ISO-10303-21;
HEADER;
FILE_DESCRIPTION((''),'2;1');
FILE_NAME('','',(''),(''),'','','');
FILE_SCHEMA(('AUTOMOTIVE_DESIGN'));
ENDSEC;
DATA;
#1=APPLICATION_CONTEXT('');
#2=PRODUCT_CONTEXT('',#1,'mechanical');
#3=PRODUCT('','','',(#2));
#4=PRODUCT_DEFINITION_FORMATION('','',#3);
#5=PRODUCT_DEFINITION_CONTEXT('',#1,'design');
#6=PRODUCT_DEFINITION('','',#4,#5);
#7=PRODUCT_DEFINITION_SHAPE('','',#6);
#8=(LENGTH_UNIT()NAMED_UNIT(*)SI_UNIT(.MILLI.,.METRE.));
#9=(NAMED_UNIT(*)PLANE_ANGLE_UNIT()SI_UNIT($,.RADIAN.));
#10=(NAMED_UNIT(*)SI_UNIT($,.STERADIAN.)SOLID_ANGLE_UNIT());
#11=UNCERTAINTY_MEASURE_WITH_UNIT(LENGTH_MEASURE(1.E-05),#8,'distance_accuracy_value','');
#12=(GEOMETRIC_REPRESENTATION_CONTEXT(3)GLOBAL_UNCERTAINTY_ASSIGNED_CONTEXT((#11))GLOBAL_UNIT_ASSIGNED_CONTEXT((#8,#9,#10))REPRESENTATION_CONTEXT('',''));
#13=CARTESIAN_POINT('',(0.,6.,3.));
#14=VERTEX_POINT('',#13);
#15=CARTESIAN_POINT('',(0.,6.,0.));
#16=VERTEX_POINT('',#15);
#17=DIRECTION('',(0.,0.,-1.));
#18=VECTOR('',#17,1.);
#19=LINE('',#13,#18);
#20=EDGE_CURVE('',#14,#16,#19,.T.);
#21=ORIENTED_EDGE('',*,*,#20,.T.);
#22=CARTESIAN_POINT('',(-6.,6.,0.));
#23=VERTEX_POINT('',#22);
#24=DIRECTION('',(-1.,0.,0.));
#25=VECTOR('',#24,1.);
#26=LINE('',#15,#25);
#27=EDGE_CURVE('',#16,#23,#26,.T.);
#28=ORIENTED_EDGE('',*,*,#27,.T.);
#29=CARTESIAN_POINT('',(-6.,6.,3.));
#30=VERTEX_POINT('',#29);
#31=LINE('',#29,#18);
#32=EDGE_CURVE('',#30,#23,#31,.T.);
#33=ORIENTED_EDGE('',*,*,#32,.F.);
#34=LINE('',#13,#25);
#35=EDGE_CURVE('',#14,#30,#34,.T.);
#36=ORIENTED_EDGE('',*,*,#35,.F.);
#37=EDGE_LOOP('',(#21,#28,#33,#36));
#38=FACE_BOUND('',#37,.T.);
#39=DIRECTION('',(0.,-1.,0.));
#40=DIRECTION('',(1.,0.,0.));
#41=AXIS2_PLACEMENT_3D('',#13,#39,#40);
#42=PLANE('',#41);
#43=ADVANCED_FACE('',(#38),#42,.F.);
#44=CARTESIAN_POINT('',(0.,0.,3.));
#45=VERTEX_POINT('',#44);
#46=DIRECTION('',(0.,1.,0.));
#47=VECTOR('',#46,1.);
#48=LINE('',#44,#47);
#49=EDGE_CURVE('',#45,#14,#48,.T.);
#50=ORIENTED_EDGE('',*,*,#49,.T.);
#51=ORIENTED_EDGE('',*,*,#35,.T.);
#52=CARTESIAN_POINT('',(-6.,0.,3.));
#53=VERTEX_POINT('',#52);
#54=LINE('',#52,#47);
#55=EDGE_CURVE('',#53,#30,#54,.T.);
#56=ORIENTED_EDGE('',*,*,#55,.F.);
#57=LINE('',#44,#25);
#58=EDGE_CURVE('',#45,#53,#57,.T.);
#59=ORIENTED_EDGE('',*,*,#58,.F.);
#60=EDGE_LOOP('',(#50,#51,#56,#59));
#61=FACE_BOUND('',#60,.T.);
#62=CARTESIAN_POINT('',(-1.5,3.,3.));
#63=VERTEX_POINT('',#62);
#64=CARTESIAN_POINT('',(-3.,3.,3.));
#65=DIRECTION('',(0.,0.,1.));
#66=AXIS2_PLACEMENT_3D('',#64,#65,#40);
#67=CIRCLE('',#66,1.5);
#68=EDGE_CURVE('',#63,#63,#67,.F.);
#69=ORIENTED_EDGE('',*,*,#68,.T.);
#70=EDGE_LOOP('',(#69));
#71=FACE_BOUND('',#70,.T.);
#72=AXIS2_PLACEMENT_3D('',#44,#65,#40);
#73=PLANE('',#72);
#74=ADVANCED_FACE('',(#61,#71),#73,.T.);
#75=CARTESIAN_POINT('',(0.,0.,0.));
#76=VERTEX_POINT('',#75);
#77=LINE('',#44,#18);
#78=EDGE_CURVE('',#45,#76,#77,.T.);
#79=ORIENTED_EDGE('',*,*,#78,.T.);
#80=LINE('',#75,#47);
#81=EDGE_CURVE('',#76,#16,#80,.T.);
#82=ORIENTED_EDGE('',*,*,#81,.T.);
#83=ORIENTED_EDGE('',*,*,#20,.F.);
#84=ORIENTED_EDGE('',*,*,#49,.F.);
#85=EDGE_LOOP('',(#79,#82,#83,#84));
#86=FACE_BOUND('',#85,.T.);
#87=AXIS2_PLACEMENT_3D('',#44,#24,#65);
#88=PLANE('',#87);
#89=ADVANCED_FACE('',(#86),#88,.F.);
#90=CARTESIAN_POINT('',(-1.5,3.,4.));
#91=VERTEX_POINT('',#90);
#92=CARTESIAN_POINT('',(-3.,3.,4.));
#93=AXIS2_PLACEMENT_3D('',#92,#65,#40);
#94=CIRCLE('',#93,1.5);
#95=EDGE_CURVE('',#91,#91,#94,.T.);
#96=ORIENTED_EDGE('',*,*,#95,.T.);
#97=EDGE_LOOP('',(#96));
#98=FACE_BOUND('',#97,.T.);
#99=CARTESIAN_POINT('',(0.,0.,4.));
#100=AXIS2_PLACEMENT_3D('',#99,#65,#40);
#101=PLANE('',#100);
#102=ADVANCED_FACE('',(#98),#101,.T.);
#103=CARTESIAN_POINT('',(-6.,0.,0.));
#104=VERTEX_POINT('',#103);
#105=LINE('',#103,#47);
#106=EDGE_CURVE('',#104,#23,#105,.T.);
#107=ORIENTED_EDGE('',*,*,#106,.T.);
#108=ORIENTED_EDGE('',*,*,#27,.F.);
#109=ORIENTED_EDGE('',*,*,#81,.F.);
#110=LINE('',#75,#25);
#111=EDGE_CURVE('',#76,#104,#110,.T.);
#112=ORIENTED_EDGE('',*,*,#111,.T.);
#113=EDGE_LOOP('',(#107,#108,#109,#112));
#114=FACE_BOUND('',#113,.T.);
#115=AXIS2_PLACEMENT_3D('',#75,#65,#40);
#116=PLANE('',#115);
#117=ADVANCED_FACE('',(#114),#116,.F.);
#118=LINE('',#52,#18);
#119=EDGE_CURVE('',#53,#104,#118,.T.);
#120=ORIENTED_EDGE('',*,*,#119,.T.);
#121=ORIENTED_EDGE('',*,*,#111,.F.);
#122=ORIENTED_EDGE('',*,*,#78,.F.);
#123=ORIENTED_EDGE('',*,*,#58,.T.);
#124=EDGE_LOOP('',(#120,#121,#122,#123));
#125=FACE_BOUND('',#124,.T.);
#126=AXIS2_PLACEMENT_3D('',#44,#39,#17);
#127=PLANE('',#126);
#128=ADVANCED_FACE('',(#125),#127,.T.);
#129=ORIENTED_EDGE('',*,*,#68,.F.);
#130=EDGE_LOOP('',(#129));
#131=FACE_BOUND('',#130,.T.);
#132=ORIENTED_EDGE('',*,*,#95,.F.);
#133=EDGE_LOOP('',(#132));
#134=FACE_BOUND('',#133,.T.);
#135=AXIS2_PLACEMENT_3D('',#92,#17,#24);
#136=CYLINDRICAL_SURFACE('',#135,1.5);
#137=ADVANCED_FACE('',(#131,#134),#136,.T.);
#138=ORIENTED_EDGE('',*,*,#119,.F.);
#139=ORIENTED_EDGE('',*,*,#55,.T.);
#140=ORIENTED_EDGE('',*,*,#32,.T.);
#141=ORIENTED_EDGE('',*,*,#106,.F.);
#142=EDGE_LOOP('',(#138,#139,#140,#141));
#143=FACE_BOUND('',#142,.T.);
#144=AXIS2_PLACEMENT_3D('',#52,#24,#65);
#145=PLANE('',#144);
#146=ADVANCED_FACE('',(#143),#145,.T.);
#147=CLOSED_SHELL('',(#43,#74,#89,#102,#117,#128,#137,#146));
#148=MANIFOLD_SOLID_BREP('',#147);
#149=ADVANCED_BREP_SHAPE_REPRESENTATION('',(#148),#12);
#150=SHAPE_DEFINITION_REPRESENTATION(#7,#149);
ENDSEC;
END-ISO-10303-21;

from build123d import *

# Parameters (mm, degrees)
SKETCH_1_W      = 6
SKETCH_1_H      = 6
EXTRUDE_1_DEPTH = 3
SKETCH_1_3_R    = 1.5
EXTRUDE_2_DEPTH = 4


with BuildPart() as part:
    # Эскиз1 → Бобышка-Вытянуть1 (new body)
    with BuildSketch(Plane.XY):
        with Locations((-3, 3)):
            Rectangle(SKETCH_1_W, SKETCH_1_H)
    extrude(amount=EXTRUDE_1_DEPTH)

    # Эскиз1<3> → Бобышка-Вытянуть2 (add)
    with BuildSketch(Plane.XY):
        with Locations((-3, 3)):
            Circle(SKETCH_1_3_R)
    extrude(amount=EXTRUDE_2_DEPTH)


solid = part.part
